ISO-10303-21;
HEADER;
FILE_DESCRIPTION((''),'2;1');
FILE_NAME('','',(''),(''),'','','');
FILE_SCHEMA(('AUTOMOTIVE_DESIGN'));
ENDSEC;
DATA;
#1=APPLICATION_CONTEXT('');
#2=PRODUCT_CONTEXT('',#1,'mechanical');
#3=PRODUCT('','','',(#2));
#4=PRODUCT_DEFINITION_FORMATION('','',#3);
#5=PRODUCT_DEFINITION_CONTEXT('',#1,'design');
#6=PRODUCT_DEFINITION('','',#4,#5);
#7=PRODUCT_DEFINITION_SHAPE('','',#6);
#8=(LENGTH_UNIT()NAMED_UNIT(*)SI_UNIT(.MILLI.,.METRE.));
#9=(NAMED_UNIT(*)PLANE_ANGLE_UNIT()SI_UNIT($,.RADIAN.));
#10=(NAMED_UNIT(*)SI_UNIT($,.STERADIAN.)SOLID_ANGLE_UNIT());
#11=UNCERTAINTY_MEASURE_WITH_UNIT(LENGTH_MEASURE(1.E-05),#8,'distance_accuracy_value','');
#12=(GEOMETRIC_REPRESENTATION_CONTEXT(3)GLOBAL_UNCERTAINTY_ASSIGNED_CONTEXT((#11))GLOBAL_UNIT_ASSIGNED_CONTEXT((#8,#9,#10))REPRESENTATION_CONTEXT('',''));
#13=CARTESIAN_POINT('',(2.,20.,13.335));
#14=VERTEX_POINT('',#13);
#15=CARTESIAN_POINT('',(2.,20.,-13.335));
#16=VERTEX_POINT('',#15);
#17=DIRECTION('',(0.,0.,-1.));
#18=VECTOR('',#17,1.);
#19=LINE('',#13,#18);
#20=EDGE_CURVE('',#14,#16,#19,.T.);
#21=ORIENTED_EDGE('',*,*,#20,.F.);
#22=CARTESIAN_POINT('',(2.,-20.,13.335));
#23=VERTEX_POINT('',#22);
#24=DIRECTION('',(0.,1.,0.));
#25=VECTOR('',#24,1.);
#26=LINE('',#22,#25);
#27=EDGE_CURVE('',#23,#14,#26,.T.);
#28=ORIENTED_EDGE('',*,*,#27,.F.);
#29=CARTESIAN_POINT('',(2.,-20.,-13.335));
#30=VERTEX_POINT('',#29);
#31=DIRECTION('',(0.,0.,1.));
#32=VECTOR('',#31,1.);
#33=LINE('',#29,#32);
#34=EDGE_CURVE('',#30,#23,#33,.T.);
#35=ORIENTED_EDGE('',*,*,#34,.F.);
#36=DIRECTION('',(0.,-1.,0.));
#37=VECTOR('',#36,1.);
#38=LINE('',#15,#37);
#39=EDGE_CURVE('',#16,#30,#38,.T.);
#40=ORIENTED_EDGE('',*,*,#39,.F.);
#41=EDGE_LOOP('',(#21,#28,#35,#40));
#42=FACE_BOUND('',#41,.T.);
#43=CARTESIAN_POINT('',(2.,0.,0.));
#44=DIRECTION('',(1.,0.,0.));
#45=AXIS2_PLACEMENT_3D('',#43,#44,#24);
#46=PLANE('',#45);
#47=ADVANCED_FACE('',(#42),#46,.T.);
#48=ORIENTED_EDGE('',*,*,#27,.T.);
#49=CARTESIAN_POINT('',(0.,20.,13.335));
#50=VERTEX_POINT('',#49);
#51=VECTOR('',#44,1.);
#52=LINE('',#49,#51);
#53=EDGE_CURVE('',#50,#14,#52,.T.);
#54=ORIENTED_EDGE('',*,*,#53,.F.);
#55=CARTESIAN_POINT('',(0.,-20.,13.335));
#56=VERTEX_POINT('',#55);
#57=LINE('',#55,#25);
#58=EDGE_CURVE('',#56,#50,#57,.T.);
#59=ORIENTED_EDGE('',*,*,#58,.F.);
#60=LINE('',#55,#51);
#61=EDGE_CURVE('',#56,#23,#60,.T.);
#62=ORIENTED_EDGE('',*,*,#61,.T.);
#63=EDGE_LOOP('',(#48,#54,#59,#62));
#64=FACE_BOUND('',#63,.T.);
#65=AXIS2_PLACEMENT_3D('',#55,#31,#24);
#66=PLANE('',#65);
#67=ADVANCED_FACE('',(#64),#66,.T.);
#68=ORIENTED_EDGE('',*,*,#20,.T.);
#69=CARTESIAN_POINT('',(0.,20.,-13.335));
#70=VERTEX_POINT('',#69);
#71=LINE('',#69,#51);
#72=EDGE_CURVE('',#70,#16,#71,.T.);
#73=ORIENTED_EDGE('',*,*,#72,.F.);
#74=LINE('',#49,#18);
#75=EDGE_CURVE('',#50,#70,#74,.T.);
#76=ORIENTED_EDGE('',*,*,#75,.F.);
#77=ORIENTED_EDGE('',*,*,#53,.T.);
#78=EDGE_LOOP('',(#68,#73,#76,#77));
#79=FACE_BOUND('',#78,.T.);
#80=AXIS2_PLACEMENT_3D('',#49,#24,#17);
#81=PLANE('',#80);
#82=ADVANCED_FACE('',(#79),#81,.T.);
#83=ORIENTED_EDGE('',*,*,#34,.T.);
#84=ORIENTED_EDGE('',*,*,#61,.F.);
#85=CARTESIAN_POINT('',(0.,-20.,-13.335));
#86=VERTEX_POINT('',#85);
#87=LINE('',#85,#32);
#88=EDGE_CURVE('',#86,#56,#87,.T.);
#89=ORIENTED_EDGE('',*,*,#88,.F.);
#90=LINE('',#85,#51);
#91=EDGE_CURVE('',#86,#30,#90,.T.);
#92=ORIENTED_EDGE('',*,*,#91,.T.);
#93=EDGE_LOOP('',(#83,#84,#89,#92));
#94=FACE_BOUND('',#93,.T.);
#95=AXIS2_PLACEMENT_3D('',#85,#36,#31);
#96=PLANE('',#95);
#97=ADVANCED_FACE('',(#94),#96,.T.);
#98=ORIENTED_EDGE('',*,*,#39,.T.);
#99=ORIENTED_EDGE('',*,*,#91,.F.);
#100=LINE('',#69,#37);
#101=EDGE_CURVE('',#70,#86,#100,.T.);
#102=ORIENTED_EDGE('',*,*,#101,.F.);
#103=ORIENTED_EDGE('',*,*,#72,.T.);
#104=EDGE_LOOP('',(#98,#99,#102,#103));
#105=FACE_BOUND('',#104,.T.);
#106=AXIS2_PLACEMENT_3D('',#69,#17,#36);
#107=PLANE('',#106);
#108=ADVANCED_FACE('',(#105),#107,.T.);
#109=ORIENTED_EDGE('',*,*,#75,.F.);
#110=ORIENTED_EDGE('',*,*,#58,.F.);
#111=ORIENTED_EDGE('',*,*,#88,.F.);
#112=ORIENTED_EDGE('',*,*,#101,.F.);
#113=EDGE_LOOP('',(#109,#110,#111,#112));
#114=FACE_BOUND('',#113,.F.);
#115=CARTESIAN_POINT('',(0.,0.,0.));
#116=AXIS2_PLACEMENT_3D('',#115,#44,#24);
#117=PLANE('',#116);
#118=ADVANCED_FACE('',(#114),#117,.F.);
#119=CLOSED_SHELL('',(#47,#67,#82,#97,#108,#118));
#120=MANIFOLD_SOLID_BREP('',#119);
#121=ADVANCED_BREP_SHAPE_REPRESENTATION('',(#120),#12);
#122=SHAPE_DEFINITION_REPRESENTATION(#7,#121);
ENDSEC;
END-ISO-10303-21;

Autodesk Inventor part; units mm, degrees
ref_plane "YZ Plane" through (0, 0, 0) normal (1, 0, 0) x (0, 1, 0)
ref_plane "XZ Plane" through (0, 0, 0) normal (0, 1, 0) x (-1, 0, 0)
ref_plane "XY Plane" through (0, 0, 0) normal (0, 0, 1) x (1, 0, 0)
sketch "Sketch1" plane through (0, 0, 0) normal (1, 0, 0) x (0, 1, 0)
  line L0 (-20, 13.335) -> (20, 13.335)
  line L1 (20, 13.335) -> (20, -13.335)
  line L2 (20, -13.335) -> (-20, -13.335)
  line L3 (-20, -13.335) -> (-20, 13.335)
  line L4 (-20, 13.335) -> (20, -13.335) construction
  line L5 (20, 13.335) -> (-20, -13.335) construction
  point P0 (0, 0)
  dimension "d2" = 40
  dimension "d3" = 26.67
extrude "Extrusion1" add sketch "Sketch1" along normal blind 2
properties part number "plaque"
